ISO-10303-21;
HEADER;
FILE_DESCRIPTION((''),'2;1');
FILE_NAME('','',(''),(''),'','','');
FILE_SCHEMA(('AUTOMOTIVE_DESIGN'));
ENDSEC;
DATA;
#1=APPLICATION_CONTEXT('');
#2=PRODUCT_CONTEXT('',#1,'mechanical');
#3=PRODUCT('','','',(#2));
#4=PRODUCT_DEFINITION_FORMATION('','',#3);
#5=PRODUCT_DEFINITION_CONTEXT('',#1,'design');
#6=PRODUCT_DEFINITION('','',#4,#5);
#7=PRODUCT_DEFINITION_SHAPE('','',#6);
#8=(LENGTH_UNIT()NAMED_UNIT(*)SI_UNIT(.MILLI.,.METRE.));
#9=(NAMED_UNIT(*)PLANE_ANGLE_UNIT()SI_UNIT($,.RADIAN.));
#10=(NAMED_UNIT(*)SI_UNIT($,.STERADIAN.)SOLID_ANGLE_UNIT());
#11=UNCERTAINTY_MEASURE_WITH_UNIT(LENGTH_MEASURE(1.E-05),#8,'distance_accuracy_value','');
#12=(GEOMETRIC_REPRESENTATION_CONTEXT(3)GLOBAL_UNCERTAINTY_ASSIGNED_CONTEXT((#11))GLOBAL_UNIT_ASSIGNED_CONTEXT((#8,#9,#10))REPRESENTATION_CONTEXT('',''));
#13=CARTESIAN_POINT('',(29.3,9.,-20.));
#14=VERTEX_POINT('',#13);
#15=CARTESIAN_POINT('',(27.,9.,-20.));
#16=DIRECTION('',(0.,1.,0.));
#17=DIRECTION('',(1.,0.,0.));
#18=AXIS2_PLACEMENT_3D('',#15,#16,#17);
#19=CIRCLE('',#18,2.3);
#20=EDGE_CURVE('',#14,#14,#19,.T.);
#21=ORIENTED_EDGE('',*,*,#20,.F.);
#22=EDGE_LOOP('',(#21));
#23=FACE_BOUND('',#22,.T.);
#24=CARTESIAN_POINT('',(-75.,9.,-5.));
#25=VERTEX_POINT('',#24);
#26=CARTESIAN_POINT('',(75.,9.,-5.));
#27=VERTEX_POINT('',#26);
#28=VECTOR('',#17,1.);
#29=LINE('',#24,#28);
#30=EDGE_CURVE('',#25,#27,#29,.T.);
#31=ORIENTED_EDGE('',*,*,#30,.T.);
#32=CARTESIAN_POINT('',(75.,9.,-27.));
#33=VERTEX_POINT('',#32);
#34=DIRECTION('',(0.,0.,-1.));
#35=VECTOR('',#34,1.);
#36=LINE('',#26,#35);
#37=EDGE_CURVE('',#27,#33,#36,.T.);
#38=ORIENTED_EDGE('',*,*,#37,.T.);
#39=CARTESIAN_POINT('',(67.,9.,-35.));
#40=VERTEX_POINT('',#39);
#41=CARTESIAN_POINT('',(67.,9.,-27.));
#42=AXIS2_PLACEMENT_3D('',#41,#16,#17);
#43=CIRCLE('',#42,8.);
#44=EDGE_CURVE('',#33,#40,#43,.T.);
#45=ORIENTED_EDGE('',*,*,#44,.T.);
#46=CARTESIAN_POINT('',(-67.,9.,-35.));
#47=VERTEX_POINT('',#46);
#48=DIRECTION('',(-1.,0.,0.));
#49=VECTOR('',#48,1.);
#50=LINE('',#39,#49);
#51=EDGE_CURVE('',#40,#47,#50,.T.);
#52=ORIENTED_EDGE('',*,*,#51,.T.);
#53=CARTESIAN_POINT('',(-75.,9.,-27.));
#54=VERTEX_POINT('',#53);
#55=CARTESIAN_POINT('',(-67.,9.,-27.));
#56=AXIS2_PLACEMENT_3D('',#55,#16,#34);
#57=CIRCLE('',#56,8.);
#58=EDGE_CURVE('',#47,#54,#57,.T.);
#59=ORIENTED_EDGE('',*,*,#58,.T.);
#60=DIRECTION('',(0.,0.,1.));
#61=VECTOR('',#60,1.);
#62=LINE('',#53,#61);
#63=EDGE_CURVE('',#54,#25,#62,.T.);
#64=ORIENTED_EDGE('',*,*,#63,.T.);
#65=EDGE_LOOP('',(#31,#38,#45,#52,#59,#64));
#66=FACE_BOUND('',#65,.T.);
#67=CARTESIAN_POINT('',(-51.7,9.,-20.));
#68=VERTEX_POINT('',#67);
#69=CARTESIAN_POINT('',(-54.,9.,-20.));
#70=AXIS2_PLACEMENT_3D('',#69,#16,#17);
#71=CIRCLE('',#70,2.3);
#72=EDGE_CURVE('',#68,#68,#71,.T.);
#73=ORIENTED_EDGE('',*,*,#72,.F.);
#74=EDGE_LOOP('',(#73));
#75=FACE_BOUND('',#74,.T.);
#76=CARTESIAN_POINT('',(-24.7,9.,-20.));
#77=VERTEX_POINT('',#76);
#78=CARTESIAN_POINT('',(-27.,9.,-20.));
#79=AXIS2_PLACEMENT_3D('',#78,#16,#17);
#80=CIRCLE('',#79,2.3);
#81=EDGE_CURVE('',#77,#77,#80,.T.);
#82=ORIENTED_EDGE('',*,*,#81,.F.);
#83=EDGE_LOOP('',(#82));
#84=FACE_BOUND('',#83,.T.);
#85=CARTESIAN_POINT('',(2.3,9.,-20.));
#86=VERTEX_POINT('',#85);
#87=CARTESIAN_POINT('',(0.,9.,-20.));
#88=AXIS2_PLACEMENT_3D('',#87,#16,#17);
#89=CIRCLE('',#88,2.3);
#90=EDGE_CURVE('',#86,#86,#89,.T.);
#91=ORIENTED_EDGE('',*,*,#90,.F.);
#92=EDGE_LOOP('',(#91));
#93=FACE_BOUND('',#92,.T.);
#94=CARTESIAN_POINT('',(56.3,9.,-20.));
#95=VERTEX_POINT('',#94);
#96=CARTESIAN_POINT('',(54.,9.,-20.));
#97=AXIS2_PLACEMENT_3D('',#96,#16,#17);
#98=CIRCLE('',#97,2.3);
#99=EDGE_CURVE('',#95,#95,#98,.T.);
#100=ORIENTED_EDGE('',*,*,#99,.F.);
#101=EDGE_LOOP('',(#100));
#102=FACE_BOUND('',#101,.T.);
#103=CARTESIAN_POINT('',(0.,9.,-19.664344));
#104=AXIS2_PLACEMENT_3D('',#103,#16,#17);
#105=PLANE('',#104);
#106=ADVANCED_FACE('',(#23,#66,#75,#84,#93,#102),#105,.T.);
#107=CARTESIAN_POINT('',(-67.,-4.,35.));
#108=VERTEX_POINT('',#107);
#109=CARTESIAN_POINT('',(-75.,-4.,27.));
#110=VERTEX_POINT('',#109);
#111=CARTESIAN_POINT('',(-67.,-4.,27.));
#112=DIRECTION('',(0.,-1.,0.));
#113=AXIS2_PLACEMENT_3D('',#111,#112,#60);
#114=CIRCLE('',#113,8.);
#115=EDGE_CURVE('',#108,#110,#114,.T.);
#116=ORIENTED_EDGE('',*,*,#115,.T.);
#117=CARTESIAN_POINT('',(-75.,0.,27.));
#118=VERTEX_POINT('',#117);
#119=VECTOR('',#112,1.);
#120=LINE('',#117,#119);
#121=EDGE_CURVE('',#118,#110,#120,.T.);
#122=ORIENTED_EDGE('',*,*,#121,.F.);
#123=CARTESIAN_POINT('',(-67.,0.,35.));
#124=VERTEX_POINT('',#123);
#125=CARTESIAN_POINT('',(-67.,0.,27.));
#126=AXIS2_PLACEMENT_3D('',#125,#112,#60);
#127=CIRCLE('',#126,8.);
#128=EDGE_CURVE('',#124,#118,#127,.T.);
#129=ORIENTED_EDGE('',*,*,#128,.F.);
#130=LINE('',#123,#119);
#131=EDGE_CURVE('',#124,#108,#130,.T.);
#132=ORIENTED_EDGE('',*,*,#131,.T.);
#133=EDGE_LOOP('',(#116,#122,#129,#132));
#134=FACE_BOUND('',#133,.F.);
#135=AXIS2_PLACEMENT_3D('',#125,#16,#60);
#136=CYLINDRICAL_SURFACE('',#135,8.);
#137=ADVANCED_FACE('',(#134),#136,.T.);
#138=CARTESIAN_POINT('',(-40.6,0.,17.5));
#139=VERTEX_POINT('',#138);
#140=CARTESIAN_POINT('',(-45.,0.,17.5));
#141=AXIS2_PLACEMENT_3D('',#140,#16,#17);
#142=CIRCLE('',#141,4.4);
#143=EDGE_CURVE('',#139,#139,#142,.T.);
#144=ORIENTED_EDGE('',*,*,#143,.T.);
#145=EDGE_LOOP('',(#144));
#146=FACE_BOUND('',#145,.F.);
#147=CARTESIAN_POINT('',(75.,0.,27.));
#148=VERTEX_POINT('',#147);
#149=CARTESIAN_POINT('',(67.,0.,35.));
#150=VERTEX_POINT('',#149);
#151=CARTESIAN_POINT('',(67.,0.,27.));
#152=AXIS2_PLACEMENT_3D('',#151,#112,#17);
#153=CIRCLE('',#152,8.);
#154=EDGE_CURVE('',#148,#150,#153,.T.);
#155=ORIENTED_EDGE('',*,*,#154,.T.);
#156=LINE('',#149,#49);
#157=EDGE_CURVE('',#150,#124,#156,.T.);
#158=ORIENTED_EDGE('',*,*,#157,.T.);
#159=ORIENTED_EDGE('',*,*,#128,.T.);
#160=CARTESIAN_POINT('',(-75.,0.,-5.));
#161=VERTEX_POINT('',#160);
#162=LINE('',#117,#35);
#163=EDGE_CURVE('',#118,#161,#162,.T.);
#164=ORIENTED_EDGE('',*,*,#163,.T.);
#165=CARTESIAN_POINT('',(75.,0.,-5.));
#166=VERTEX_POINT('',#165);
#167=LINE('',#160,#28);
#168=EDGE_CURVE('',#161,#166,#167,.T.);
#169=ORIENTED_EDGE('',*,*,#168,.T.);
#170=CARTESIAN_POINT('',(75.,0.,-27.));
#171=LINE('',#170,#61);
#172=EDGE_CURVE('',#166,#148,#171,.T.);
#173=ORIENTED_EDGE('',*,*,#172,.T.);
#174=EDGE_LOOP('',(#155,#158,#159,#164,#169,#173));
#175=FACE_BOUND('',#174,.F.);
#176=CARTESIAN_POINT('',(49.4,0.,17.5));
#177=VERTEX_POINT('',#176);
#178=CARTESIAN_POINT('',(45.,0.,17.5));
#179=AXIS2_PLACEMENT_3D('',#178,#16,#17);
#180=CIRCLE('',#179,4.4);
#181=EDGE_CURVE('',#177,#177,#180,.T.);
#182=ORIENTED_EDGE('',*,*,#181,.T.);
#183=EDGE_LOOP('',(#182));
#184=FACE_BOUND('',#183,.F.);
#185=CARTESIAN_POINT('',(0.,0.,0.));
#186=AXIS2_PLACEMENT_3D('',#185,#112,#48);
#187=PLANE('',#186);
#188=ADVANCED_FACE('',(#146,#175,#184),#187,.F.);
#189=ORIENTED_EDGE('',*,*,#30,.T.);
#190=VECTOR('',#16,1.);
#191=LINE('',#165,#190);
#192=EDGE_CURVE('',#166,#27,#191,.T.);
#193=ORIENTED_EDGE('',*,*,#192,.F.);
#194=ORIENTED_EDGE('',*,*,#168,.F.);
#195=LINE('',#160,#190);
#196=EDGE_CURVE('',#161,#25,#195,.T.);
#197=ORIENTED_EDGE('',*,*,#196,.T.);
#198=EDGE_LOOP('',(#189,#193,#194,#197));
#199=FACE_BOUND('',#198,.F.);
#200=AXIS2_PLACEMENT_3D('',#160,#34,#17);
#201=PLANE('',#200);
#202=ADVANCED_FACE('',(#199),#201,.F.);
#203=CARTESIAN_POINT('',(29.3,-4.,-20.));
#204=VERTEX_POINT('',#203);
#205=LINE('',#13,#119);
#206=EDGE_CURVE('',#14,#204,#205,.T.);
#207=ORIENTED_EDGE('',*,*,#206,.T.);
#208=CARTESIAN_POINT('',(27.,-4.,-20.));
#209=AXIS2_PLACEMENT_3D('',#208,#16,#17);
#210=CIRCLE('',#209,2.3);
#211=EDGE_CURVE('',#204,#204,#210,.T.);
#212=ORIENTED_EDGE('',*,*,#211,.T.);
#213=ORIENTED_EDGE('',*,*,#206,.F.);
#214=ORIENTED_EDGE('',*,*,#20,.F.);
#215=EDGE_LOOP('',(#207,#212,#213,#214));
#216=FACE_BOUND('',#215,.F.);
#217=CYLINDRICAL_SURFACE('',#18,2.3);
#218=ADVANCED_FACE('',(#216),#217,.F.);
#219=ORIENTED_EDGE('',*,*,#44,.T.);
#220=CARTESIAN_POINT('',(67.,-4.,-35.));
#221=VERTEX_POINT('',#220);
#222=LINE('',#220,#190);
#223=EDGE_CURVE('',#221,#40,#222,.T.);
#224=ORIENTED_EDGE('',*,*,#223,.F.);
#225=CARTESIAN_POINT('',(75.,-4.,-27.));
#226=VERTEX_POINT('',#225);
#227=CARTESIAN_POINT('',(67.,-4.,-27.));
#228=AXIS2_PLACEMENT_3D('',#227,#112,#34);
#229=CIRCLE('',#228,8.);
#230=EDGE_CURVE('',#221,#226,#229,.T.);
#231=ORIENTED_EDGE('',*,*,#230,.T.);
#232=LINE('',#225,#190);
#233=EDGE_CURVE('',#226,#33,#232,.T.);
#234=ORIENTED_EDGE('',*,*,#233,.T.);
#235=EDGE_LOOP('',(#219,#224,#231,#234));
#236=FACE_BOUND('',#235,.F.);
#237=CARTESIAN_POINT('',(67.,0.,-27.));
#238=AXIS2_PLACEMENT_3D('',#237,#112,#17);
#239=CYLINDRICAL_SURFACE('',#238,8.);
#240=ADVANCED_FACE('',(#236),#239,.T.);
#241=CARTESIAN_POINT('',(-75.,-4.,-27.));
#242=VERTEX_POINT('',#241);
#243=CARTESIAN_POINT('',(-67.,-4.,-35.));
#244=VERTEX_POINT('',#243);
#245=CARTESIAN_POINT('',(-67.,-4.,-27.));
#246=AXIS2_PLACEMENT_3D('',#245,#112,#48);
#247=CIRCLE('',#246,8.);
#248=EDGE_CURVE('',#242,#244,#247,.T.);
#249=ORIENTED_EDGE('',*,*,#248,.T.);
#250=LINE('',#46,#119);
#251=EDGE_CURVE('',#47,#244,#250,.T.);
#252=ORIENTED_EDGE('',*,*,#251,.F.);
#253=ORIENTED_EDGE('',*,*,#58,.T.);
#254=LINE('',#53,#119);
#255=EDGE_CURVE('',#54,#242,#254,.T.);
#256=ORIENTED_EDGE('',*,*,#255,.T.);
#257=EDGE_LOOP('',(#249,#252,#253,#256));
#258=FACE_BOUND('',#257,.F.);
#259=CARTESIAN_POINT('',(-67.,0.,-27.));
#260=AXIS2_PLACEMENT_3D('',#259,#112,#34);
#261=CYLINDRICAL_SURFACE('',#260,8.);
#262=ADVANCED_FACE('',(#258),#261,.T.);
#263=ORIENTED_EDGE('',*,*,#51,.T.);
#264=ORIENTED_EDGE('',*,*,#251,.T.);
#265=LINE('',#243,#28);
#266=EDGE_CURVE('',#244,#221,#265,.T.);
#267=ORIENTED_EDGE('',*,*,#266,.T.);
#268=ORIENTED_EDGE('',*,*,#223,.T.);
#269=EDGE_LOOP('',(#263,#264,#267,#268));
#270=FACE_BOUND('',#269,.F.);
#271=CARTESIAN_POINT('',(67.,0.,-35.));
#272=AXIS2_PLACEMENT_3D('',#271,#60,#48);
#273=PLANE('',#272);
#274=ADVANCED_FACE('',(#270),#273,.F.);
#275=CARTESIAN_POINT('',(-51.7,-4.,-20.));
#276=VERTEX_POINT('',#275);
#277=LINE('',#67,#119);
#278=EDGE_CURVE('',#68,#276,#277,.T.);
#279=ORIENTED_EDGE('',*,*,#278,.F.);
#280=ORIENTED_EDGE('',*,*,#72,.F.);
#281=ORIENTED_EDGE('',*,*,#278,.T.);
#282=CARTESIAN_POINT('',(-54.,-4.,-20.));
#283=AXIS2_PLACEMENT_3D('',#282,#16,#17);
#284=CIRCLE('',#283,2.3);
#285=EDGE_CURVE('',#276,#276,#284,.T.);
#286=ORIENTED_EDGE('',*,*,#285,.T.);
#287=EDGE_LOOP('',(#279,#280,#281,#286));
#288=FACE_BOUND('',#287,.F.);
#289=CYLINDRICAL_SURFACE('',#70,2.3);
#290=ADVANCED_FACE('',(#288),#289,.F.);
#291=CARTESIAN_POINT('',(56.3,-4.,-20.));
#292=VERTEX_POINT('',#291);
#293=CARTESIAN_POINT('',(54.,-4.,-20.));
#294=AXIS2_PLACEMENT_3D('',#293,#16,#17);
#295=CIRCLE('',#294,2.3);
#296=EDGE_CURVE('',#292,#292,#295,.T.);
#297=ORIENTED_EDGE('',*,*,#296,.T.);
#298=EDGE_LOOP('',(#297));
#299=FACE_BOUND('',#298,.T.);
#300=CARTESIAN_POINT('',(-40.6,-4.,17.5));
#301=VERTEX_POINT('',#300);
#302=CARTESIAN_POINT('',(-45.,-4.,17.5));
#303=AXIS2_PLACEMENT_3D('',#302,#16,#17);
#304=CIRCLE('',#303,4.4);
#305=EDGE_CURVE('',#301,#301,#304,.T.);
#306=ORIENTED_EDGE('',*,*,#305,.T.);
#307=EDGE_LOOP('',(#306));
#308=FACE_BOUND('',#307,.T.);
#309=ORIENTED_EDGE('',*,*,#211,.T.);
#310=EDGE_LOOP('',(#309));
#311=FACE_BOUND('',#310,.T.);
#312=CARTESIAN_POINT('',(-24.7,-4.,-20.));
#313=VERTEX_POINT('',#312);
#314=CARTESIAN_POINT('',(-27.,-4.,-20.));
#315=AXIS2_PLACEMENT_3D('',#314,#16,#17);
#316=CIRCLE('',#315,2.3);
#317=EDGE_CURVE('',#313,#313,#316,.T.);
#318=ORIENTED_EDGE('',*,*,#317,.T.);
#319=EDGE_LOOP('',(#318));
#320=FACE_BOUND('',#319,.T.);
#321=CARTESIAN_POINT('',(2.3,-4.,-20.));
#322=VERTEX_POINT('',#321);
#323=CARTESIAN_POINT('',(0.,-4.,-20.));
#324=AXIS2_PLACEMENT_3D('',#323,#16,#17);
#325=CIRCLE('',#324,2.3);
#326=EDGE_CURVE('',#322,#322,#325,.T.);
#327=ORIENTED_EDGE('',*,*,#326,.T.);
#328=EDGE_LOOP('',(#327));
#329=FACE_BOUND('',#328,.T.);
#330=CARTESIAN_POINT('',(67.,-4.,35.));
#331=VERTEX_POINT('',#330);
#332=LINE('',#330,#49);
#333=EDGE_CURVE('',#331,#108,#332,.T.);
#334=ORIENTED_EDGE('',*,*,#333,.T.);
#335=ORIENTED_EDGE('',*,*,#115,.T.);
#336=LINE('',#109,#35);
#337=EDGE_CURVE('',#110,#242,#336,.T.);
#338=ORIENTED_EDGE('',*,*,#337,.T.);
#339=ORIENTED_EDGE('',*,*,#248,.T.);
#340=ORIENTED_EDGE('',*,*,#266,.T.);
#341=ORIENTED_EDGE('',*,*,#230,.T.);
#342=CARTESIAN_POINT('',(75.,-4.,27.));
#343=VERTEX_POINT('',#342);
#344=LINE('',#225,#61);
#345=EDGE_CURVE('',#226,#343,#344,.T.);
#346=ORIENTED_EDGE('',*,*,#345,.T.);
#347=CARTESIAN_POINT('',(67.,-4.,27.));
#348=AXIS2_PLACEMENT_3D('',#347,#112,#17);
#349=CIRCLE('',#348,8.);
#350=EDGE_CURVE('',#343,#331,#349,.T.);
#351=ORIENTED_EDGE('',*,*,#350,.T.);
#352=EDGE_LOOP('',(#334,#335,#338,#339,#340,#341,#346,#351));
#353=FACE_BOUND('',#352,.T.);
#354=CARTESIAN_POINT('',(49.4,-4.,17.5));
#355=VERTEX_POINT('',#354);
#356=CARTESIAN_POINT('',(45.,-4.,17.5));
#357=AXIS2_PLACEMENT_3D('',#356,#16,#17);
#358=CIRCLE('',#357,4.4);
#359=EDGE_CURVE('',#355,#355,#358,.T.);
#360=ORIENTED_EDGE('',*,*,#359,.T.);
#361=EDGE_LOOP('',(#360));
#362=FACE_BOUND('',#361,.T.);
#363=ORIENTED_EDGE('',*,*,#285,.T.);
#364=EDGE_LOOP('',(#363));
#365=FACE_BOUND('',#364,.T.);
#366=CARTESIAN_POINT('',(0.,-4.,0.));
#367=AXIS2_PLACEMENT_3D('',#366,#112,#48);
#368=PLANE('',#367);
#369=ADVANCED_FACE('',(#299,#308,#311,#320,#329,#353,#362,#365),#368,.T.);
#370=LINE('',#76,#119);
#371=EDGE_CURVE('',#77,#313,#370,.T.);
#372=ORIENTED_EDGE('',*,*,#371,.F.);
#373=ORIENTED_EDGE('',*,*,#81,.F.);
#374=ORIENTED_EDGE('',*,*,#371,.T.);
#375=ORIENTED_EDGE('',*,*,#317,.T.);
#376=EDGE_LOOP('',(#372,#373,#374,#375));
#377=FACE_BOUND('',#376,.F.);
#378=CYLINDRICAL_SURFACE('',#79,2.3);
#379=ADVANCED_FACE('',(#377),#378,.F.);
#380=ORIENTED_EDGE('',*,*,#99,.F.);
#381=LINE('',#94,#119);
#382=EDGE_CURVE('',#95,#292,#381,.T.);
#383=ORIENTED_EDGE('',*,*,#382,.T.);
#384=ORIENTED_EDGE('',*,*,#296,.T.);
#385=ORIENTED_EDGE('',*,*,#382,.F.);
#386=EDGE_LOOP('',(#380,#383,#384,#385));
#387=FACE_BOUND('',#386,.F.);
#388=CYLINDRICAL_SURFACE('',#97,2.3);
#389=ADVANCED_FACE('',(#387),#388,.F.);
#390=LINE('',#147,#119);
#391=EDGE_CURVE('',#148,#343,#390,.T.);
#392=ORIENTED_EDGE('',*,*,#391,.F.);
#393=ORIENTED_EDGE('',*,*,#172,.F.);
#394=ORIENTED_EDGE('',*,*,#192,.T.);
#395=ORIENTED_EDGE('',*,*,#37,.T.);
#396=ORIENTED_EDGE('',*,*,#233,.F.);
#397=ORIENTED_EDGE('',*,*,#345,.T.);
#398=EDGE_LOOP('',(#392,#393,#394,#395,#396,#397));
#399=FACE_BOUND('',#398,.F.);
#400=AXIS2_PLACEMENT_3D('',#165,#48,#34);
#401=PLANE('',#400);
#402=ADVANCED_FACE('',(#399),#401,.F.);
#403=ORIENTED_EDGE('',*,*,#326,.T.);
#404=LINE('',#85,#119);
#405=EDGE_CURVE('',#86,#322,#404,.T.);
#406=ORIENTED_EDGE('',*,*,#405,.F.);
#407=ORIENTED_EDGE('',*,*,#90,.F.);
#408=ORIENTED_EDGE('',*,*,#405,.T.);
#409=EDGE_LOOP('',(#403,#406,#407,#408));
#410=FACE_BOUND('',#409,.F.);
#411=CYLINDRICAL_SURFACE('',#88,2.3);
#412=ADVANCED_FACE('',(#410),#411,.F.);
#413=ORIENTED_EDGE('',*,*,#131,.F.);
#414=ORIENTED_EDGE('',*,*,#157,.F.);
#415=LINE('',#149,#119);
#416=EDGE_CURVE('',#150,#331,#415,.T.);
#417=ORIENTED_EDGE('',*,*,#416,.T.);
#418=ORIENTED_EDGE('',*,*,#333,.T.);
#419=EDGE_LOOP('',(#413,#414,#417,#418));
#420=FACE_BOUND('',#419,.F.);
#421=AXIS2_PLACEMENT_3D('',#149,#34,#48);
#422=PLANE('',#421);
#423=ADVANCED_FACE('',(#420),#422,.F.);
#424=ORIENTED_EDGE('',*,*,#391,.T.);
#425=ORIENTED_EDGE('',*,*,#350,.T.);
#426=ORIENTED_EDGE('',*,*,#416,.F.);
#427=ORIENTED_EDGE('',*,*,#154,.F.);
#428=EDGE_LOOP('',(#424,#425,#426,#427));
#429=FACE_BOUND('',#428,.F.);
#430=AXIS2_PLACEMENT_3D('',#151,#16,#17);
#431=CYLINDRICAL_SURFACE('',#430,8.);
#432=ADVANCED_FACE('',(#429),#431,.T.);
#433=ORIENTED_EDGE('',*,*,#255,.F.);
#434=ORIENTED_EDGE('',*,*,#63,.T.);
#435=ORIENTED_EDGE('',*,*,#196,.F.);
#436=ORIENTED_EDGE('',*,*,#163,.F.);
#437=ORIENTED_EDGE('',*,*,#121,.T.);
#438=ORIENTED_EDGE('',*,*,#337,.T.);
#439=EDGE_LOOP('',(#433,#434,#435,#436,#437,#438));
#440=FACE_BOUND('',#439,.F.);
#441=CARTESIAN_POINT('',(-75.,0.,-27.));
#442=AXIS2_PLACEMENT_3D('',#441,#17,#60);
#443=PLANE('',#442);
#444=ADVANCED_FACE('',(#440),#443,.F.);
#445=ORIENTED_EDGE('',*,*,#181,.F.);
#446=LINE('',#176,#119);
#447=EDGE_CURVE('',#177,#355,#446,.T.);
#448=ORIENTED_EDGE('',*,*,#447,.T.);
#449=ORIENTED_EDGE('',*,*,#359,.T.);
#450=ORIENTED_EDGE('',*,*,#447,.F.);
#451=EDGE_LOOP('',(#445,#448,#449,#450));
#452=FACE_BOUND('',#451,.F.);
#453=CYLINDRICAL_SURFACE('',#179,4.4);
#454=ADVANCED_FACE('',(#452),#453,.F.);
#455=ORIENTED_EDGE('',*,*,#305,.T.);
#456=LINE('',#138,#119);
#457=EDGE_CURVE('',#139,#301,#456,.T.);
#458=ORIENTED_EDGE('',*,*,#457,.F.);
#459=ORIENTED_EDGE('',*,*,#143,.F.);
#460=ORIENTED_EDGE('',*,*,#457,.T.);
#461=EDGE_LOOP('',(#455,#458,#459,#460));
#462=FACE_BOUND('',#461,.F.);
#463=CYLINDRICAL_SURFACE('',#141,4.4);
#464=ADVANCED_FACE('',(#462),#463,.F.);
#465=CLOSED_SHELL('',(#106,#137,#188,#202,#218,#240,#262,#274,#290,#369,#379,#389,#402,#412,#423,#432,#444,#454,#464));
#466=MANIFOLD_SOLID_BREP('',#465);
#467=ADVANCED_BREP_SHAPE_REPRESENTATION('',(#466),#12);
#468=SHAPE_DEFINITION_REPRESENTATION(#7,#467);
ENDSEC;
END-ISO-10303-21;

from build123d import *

# Parameters (mm, degrees)
SKETCH1_R           = 4.4
BOSS_EXTRUDE1_DEPTH = 4
BOSS_EXTRUDE2_DEPTH = 9
SKETCH3_R           = 2.3
CUT_EXTRUDE1_DEPTH  = 13


with BuildPart() as part:
    # Sketch1 → Boss-Extrude1 (new body)
    with BuildSketch(Plane(origin=(0, 0, 0), x_dir=(1, 0, 0), z_dir=(0, 1, 0))):
        with BuildLine():
            Line((-67, 35), (67, 35))
            ThreePointArc((67, 35), (72.656854249, 32.656854249), (75, 27))
            Line((75, 27), (75, -27))
            ThreePointArc((75, -27), (72.656854249, -32.656854249), (67, -35))
            Line((67, -35), (-67, -35))
            ThreePointArc((-67, -35), (-72.656854249, -32.656854249), (-75, -27))
            Line((-75, -27), (-75, 27))
            ThreePointArc((-75, 27), (-72.656854249, 32.656854249), (-67, 35))
        make_face()
        with Locations((-45, -17.5)):
            Circle(SKETCH1_R, mode=Mode.SUBTRACT)
        with Locations((45, -17.5)):
            Circle(SKETCH1_R, mode=Mode.SUBTRACT)
    extrude(amount=-BOSS_EXTRUDE1_DEPTH)

    # Sketch2 → Boss-Extrude2 (add)
    with BuildSketch(Plane(origin=(0, 0, 0), x_dir=(1, 0, 0), z_dir=(0, 1, 0))):
        with BuildLine():
            Line((-75, 5), (75, 5))
            Line((75, 5), (75, 27))
            ThreePointArc((75, 27), (72.656854249, 32.656854249), (67, 35))
            Line((67, 35), (-67, 35))
            ThreePointArc((-67, 35), (-72.656854249, 32.656854249), (-75, 27))
            Line((-75, 27), (-75, 5))
        make_face()
    extrude(amount=BOSS_EXTRUDE2_DEPTH)

    # Sketch3 → Cut-Extrude1 (cut)
    with BuildSketch(Plane(origin=(0, 9, 0), x_dir=(1, 0, 0), z_dir=(0, 1, 0))):
        with Locations((-54, 20)):
            Circle(SKETCH3_R)
        with Locations((-27, 20)):
            Circle(SKETCH3_R)
        with Locations((0, 20)):
            Circle(SKETCH3_R)
        with Locations((27, 20)):
            Circle(SKETCH3_R)
        with Locations((54, 20)):
            Circle(SKETCH3_R)
    extrude(amount=-CUT_EXTRUDE1_DEPTH, mode=Mode.SUBTRACT)


solid = part.part
